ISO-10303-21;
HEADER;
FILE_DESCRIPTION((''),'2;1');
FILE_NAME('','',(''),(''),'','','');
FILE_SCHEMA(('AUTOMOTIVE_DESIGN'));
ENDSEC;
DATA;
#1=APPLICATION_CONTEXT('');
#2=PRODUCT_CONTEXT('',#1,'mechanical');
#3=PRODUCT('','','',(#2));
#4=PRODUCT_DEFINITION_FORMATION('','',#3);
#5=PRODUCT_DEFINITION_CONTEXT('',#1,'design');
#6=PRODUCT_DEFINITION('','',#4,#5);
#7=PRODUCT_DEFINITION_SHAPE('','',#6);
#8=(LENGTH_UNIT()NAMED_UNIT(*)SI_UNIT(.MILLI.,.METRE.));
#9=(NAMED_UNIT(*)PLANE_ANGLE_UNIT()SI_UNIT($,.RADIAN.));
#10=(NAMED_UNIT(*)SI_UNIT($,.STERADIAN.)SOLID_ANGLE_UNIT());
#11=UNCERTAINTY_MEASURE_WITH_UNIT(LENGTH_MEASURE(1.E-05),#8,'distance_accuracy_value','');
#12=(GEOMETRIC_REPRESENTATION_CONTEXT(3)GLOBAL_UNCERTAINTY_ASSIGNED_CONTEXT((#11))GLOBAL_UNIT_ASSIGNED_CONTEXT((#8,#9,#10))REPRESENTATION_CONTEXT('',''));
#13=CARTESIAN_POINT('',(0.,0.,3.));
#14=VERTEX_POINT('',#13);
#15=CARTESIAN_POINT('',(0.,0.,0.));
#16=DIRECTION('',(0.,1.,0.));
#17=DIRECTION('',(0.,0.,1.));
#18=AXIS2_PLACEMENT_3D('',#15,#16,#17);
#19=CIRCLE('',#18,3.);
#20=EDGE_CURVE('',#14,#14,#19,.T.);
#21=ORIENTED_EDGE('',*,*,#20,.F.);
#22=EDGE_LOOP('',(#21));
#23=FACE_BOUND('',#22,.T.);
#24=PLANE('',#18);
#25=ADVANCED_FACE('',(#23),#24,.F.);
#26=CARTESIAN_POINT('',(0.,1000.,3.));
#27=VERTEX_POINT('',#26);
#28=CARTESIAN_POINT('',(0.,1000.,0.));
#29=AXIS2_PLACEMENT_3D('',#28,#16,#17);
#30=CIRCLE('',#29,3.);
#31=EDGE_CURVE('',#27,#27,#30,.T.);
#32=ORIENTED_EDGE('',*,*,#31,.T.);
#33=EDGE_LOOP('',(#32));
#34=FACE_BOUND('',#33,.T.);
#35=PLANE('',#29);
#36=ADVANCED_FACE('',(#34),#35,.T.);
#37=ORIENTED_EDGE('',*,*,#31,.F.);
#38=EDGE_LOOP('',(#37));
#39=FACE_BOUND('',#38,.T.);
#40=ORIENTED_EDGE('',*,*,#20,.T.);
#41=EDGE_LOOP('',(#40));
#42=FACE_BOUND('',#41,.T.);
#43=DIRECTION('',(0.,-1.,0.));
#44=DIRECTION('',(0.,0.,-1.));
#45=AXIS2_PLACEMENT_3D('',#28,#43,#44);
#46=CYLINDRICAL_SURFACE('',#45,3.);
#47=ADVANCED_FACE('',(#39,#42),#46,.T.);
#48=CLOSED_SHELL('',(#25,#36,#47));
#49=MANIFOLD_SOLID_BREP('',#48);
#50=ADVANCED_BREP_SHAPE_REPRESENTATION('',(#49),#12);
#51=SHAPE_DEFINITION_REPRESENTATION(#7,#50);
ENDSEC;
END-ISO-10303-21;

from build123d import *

# Parameters (mm, degrees)
SKETCH1_R           = 3
BOSS_EXTRUDE1_DEPTH = 1000


with BuildPart() as part:
    # Sketch1 → Boss-Extrude1 (new body)
    with BuildSketch(Plane(origin=(0, 0, 0), x_dir=(1, 0, 0), z_dir=(0, 1, 0))):
        Circle(SKETCH1_R)
    extrude(amount=BOSS_EXTRUDE1_DEPTH)


solid = part.part
